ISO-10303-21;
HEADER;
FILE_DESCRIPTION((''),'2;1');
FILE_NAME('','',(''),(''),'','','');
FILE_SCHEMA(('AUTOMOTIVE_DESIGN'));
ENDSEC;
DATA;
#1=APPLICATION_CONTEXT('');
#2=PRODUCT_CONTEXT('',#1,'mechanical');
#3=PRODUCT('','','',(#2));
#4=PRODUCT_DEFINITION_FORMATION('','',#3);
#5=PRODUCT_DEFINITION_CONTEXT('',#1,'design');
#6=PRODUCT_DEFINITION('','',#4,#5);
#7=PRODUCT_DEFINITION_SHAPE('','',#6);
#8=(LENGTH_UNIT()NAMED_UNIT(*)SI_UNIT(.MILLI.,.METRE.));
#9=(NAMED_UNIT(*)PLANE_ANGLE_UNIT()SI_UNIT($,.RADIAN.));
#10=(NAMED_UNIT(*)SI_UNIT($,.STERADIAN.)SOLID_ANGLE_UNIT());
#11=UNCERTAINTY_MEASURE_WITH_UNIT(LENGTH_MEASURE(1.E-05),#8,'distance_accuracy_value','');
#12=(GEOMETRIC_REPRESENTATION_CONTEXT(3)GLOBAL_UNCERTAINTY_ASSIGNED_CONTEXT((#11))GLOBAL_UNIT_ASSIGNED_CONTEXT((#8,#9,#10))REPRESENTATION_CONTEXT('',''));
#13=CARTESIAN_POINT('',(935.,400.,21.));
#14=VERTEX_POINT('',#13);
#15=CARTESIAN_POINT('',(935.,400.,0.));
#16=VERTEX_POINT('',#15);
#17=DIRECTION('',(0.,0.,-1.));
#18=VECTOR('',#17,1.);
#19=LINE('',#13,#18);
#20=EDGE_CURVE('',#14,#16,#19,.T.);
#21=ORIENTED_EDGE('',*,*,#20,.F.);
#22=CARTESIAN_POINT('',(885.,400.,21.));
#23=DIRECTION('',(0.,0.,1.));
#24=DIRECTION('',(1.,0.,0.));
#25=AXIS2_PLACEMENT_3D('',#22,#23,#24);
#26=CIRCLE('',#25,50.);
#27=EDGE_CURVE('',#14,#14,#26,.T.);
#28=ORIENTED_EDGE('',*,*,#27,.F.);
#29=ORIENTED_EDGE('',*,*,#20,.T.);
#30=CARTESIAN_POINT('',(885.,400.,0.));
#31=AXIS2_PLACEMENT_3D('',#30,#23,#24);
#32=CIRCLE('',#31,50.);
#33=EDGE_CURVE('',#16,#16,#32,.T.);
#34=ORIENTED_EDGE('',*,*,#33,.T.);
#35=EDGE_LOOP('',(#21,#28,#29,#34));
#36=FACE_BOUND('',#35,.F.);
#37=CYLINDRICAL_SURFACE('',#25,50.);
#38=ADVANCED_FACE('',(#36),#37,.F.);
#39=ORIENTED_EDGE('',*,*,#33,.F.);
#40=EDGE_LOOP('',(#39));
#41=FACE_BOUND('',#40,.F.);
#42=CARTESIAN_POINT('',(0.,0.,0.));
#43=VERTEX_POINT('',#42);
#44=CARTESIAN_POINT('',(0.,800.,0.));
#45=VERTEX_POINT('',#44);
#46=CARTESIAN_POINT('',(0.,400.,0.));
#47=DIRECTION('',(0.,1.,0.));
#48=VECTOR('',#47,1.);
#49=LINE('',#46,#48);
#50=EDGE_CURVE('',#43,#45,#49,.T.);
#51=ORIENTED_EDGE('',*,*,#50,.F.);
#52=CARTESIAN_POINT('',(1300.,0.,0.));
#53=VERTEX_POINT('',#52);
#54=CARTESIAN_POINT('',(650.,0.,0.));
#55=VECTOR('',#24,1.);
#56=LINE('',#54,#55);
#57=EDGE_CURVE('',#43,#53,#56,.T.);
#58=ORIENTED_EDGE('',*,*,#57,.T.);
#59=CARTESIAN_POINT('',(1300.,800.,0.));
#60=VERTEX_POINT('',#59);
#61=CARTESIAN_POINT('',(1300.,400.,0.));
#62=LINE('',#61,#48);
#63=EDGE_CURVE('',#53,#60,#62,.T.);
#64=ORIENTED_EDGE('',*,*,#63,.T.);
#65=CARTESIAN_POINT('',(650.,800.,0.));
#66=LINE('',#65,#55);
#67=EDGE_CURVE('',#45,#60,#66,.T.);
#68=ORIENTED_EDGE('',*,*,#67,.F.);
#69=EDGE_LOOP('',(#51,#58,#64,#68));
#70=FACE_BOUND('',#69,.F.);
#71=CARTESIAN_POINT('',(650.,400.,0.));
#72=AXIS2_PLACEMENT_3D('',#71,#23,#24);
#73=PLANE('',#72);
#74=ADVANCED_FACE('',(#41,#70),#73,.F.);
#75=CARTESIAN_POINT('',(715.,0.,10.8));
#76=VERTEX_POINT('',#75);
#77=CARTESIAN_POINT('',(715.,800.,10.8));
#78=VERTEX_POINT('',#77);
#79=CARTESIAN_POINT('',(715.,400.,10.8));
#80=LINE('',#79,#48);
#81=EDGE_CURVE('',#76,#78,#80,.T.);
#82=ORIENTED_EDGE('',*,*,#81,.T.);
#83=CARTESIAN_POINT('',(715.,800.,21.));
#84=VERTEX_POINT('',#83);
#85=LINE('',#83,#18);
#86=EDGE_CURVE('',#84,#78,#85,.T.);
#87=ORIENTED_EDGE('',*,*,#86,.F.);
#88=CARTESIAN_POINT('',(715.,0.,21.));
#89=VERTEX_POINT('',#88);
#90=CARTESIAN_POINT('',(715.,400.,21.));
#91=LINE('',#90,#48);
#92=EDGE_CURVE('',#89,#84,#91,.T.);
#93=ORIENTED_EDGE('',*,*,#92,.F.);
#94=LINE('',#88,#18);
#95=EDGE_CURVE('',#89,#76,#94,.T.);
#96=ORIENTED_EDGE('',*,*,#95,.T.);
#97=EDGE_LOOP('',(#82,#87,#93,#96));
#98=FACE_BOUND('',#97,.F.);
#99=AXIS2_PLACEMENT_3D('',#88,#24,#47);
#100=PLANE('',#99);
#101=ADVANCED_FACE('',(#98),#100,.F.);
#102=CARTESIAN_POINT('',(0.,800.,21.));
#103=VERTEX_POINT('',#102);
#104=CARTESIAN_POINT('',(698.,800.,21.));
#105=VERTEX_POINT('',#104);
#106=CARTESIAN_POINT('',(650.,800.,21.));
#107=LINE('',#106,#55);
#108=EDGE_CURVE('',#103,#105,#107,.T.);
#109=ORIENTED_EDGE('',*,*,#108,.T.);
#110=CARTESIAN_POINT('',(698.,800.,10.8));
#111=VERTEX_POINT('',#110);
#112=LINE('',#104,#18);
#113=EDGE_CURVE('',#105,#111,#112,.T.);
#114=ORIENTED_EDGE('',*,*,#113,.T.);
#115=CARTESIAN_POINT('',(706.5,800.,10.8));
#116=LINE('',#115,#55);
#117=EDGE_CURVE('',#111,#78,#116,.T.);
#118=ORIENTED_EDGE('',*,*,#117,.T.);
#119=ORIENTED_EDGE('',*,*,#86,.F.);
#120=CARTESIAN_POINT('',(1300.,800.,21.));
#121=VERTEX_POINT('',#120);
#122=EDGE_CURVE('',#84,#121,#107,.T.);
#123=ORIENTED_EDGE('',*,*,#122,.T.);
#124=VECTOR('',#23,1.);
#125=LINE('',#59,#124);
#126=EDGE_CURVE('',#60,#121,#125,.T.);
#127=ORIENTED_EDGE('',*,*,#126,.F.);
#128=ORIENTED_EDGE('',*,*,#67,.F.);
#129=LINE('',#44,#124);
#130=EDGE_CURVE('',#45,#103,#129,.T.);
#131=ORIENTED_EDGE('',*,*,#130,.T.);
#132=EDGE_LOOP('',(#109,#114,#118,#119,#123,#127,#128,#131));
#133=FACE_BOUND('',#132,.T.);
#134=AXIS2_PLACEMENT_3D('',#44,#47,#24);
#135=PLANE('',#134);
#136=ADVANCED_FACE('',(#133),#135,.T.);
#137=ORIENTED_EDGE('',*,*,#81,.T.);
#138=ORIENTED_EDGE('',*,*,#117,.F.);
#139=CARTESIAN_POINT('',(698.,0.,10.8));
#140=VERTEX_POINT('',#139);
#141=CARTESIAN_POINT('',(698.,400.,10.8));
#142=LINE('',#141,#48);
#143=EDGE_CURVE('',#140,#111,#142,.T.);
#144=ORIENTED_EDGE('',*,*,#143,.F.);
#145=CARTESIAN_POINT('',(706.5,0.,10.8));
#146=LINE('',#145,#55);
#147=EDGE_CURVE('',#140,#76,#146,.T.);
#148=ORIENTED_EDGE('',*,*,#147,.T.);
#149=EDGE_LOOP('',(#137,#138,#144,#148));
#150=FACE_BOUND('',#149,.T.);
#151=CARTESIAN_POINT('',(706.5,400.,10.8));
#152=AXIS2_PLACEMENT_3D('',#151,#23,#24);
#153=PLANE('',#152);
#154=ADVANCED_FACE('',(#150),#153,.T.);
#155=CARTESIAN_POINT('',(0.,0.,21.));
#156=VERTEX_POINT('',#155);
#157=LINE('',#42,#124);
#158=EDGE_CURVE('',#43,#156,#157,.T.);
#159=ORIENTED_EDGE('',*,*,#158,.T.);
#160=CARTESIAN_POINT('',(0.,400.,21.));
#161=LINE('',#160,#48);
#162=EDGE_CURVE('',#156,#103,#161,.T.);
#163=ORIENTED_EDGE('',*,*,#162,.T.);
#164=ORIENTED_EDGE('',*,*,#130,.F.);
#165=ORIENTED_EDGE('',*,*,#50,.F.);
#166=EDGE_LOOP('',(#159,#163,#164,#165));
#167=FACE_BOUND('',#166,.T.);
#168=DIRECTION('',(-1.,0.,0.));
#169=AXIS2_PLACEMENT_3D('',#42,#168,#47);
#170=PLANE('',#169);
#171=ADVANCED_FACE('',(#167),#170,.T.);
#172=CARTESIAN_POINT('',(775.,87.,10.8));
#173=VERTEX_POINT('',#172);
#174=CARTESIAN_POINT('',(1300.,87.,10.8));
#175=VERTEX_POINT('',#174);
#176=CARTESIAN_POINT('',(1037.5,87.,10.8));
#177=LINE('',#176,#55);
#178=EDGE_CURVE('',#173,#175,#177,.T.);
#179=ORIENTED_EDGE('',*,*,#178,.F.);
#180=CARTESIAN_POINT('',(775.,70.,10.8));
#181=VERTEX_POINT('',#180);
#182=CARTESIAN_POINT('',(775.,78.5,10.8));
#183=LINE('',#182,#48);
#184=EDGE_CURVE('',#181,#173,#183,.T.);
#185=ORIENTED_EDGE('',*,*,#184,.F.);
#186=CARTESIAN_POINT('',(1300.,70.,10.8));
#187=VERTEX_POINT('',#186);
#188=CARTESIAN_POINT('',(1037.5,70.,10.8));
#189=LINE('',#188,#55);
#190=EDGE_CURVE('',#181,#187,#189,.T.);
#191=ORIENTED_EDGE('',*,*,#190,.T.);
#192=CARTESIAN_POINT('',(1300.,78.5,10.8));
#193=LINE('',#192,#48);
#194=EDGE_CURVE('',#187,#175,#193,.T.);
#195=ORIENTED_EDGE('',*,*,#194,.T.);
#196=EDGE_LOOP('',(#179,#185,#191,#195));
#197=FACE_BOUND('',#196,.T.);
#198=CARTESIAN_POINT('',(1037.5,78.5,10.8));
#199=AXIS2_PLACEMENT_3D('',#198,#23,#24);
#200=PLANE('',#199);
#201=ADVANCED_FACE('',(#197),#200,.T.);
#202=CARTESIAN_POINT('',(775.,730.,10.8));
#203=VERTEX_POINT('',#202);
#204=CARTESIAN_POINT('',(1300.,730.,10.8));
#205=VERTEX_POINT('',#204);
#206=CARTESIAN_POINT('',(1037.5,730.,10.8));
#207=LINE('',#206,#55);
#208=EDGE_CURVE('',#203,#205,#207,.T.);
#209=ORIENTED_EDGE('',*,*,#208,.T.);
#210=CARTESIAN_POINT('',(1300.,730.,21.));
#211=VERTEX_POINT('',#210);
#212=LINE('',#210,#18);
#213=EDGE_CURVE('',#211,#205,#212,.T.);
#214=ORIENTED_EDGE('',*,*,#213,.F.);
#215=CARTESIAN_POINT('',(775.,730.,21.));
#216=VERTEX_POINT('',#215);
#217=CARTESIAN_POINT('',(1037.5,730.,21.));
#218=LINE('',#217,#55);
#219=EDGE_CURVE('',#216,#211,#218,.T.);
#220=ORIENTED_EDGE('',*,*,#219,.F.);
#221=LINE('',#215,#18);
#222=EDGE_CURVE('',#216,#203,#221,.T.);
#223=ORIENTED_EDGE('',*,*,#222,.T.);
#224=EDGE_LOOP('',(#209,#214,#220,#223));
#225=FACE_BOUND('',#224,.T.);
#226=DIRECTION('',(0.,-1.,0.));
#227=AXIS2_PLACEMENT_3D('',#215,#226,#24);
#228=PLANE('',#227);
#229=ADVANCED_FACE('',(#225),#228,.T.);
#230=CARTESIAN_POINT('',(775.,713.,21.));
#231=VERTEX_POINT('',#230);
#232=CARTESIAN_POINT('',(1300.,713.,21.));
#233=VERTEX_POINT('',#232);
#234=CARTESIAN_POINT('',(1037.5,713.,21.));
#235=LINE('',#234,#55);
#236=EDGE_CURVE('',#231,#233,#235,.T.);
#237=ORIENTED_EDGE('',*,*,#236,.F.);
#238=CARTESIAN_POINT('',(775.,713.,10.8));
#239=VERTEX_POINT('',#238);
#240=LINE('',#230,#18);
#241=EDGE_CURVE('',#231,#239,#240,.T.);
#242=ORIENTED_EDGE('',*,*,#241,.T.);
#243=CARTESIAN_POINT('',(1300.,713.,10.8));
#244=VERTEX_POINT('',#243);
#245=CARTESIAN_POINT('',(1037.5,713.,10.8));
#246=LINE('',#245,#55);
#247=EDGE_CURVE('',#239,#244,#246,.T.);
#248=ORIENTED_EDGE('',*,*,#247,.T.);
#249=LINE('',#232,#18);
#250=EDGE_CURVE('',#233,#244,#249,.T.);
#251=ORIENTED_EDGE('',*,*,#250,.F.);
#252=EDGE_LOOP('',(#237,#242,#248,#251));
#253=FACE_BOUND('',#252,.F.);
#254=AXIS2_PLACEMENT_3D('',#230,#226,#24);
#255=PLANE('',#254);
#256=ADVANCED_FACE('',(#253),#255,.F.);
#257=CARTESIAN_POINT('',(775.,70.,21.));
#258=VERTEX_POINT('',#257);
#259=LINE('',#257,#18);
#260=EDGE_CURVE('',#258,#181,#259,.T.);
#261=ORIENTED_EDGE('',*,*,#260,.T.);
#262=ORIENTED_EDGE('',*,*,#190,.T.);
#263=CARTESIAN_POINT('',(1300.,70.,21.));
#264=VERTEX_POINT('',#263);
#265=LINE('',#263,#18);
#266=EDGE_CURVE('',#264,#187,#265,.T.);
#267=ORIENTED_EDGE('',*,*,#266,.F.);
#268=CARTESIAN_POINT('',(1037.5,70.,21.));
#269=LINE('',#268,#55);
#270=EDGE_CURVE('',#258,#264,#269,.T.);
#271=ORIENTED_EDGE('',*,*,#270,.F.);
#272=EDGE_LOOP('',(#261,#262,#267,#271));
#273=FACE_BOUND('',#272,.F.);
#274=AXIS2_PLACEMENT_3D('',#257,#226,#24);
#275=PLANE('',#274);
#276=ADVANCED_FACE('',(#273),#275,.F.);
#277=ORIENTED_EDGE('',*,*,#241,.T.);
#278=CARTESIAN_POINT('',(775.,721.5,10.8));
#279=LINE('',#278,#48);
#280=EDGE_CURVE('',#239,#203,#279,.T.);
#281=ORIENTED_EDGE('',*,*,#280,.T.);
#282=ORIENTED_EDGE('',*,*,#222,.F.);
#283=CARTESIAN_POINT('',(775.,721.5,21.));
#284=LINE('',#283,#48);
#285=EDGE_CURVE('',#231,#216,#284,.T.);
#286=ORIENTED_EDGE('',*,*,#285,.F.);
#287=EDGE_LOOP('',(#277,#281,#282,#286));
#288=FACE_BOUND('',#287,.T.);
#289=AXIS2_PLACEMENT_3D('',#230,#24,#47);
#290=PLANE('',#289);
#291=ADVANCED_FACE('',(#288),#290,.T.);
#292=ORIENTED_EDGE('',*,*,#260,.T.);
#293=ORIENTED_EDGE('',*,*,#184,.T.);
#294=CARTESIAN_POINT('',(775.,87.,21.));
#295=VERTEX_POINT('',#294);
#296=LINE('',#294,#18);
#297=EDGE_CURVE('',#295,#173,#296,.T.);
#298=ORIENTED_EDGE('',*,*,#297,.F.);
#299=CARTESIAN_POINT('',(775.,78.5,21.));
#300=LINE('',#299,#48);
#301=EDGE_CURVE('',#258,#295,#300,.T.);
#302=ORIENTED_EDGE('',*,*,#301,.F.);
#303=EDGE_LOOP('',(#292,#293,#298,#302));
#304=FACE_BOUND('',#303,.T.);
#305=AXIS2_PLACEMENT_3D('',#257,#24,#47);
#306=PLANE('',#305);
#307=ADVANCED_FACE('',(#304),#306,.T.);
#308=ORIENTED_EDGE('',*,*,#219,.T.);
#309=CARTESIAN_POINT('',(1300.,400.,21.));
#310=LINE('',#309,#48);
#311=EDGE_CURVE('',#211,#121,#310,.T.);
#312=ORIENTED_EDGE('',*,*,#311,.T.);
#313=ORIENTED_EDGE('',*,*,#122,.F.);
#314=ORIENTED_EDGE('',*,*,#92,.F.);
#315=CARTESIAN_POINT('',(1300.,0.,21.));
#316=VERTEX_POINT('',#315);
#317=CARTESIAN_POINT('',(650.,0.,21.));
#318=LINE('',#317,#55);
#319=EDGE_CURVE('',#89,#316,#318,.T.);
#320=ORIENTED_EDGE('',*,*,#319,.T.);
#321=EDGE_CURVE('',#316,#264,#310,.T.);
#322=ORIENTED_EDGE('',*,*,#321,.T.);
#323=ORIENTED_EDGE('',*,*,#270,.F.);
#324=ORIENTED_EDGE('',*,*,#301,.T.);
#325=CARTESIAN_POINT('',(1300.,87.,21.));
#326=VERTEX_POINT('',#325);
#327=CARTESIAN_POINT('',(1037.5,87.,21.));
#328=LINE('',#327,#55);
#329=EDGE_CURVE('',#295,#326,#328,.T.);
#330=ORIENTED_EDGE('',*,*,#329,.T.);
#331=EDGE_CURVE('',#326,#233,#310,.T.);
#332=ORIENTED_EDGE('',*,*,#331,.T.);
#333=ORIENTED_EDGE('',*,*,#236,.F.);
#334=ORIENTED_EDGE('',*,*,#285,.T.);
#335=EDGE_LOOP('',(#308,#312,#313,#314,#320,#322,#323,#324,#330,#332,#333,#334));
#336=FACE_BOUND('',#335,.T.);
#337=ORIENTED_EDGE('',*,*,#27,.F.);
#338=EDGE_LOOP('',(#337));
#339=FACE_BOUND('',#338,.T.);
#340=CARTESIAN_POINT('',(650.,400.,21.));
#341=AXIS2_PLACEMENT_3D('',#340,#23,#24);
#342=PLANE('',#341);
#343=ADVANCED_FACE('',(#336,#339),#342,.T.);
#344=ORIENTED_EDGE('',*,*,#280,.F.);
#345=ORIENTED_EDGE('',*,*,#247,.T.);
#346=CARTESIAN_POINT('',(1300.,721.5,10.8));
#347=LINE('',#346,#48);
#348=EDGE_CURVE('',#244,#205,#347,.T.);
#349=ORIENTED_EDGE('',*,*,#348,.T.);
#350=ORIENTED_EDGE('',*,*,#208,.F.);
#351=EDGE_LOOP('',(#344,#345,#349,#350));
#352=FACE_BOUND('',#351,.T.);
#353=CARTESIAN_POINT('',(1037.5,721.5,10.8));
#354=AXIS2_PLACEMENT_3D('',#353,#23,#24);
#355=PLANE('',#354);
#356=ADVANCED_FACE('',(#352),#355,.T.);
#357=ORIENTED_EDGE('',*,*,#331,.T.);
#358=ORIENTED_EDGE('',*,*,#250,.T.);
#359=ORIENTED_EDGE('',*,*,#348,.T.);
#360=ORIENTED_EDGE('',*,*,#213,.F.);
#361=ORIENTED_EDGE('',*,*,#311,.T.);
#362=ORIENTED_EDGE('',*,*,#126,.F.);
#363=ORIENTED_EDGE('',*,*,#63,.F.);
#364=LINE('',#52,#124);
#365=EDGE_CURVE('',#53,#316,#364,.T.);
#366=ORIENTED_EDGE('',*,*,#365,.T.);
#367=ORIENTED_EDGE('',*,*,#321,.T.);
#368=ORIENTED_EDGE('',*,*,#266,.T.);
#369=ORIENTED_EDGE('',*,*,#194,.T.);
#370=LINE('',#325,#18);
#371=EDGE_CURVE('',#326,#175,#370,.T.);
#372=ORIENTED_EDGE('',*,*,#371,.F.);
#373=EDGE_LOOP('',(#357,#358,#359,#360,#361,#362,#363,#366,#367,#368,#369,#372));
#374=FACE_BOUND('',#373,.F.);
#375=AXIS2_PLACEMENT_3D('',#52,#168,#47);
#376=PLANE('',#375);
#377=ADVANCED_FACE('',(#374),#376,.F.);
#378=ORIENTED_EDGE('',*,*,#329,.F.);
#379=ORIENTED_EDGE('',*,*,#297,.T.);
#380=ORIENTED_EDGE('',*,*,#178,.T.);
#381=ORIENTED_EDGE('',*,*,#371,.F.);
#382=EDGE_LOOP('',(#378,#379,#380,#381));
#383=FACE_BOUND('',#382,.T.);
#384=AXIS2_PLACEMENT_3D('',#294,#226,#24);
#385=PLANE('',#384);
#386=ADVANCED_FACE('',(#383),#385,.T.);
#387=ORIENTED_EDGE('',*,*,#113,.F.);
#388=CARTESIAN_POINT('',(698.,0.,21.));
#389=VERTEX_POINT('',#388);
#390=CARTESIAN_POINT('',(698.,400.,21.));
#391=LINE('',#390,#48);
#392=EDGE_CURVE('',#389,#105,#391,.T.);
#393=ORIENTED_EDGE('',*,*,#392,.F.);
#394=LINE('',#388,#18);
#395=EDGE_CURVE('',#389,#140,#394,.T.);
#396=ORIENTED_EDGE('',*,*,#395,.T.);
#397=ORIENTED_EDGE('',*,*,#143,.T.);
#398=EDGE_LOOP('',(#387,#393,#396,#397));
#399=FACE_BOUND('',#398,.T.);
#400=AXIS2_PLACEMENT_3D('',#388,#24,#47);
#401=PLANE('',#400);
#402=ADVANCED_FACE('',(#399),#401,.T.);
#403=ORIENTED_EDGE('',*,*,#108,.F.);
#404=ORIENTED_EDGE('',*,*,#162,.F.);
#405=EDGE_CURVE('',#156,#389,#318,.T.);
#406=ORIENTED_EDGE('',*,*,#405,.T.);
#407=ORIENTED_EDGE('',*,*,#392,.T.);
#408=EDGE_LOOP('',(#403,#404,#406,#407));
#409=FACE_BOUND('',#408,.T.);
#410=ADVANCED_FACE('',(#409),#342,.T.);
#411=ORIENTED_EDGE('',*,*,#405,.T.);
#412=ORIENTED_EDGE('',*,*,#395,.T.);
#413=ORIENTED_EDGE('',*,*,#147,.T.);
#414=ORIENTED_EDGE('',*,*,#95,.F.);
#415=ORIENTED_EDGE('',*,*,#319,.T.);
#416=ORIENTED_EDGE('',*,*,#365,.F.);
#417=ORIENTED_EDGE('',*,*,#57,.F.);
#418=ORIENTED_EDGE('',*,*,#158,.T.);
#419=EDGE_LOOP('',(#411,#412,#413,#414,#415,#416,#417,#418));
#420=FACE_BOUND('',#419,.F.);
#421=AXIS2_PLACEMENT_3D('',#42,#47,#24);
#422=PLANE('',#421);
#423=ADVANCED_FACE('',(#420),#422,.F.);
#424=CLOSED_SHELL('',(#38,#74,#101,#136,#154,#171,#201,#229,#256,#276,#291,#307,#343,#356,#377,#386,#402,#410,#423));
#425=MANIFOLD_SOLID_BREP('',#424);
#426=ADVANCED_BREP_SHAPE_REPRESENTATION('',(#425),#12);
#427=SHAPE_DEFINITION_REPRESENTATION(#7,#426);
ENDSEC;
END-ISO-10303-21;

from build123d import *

# Parameters (mm, degrees)
F0_W     = 1300
F0_H     = 800
F1_DEPTH = 21
F2_W     = 17
F2_H     = 800
F2_W_2   = 525
F2_H_2   = 17
F3_DEPTH = 10.2
F4_R     = 50
F5_DEPTH = 25


with BuildPart() as f1:
    # F0 (on Top) → F1 (new body)
    with BuildSketch(Plane.XY):
        with Locations((650, 400)):
            Rectangle(F0_W, F0_H)
    extrude(amount=F1_DEPTH)

    # F2 (on face) → F3 (cut)
    with BuildSketch(Plane.XY.offset(21)):
        with Locations((706.5, 400)):
            Rectangle(F2_W, F2_H)
        with Locations((1037.5, 721.5)):
            Rectangle(F2_W_2, F2_H_2)
        with Locations((1037.5, 78.5)):
            Rectangle(F2_W_2, F2_H_2)
    extrude(amount=-F3_DEPTH, mode=Mode.SUBTRACT)

    # F4 (on face) → F5 (cut)
    with BuildSketch(Plane.XY.offset(21)):
        with Locations((885, 400)):
            Circle(F4_R)
    extrude(amount=-F5_DEPTH, mode=Mode.SUBTRACT)


solid = f1.part
